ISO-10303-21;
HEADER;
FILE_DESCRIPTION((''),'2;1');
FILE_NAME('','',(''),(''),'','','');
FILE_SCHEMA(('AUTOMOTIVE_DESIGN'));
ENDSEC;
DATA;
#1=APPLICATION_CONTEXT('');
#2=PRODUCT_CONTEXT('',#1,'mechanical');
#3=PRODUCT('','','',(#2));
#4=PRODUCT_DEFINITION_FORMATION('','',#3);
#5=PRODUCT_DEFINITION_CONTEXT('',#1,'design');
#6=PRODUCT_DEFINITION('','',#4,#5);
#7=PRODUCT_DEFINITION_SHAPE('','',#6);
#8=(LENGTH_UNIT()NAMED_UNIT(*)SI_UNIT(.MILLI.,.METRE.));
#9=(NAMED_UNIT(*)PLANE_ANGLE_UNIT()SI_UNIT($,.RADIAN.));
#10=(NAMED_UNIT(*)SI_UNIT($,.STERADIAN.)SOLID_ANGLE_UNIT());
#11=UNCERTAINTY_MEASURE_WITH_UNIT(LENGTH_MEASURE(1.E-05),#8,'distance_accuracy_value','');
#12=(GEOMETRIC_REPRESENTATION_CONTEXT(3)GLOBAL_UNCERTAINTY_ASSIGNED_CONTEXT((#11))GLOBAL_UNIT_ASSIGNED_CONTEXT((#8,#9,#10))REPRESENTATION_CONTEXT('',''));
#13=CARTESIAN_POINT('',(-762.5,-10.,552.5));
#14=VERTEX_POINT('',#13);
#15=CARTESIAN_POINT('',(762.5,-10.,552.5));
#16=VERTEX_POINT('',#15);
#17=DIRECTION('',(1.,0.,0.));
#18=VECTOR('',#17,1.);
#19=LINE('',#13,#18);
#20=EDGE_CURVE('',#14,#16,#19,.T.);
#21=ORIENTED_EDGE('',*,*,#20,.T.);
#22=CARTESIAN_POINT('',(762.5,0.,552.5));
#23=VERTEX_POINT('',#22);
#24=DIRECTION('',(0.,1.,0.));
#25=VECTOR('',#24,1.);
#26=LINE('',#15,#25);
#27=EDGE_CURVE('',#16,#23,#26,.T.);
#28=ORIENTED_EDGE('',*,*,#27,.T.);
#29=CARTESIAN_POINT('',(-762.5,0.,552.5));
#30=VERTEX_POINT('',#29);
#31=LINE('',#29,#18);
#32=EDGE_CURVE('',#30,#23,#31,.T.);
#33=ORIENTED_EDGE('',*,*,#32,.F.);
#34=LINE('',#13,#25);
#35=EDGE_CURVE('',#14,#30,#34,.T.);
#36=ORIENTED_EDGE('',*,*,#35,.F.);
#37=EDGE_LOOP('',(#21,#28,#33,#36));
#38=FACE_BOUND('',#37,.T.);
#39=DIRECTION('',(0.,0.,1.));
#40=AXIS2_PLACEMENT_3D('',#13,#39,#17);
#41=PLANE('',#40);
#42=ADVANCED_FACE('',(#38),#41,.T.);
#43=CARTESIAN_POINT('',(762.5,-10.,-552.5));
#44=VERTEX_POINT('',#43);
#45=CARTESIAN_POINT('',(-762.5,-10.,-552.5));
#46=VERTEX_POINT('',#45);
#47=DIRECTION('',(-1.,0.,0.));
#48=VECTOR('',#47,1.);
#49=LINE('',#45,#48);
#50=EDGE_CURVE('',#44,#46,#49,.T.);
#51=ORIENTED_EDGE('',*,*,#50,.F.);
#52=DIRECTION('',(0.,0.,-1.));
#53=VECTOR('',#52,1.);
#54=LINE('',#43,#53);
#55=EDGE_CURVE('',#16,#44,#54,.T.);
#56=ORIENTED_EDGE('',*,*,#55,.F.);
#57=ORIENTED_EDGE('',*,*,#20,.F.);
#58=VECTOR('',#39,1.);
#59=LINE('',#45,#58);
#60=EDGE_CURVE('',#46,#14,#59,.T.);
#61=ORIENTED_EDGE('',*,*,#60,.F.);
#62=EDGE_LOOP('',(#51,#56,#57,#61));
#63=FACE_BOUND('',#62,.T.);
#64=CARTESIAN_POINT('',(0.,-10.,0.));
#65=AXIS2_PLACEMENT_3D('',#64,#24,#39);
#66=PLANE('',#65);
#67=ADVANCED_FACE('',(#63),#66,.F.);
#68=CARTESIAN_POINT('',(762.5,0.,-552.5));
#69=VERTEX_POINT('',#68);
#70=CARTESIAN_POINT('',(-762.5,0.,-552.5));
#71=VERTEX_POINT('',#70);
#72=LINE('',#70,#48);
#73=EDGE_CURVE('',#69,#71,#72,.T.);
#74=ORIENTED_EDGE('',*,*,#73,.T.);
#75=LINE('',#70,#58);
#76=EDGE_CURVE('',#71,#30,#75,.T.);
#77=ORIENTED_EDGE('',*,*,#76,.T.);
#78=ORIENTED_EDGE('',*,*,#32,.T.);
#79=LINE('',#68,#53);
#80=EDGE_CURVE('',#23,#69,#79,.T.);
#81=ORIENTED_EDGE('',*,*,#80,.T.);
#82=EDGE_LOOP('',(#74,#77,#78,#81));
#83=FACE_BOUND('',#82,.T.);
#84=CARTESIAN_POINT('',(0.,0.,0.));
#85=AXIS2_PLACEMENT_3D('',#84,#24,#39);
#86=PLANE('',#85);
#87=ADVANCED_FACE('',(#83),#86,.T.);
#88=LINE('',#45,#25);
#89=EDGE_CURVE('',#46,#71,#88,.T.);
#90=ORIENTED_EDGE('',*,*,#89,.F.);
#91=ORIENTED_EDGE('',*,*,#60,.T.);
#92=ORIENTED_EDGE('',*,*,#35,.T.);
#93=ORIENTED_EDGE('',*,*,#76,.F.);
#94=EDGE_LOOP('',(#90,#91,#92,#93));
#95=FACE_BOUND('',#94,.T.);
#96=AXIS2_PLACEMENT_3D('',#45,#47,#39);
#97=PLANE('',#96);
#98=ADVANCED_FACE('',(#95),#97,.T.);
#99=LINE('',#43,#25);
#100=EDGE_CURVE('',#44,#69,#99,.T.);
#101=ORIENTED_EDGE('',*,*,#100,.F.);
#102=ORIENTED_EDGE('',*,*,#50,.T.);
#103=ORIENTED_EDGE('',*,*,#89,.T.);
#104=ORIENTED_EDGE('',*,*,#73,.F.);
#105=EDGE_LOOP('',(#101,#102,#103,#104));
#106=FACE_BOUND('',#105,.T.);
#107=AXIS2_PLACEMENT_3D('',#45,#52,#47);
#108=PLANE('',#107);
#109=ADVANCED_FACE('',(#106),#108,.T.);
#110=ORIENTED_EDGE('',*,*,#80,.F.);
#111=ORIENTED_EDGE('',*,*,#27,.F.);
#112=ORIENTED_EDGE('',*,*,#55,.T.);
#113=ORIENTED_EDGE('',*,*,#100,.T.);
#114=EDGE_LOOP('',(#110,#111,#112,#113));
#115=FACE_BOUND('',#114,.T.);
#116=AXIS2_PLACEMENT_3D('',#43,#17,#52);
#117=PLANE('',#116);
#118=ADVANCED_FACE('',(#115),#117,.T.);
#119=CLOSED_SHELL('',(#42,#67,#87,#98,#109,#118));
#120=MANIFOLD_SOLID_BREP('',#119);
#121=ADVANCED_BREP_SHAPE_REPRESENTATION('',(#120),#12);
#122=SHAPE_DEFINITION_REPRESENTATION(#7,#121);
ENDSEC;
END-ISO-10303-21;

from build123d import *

# Parameters (mm, degrees)
SKETCH1_W           = 1525
SKETCH1_H           = 1105
BOSS_EXTRUDE1_DEPTH = 10


with BuildPart() as part:
    # Sketch1 → Boss-Extrude1 (new body)
    with BuildSketch(Plane(origin=(0, 0, 0), x_dir=(1, 0, 0), z_dir=(0, 1, 0))):
        Rectangle(SKETCH1_W, SKETCH1_H)
    extrude(amount=-BOSS_EXTRUDE1_DEPTH)


solid = part.part
